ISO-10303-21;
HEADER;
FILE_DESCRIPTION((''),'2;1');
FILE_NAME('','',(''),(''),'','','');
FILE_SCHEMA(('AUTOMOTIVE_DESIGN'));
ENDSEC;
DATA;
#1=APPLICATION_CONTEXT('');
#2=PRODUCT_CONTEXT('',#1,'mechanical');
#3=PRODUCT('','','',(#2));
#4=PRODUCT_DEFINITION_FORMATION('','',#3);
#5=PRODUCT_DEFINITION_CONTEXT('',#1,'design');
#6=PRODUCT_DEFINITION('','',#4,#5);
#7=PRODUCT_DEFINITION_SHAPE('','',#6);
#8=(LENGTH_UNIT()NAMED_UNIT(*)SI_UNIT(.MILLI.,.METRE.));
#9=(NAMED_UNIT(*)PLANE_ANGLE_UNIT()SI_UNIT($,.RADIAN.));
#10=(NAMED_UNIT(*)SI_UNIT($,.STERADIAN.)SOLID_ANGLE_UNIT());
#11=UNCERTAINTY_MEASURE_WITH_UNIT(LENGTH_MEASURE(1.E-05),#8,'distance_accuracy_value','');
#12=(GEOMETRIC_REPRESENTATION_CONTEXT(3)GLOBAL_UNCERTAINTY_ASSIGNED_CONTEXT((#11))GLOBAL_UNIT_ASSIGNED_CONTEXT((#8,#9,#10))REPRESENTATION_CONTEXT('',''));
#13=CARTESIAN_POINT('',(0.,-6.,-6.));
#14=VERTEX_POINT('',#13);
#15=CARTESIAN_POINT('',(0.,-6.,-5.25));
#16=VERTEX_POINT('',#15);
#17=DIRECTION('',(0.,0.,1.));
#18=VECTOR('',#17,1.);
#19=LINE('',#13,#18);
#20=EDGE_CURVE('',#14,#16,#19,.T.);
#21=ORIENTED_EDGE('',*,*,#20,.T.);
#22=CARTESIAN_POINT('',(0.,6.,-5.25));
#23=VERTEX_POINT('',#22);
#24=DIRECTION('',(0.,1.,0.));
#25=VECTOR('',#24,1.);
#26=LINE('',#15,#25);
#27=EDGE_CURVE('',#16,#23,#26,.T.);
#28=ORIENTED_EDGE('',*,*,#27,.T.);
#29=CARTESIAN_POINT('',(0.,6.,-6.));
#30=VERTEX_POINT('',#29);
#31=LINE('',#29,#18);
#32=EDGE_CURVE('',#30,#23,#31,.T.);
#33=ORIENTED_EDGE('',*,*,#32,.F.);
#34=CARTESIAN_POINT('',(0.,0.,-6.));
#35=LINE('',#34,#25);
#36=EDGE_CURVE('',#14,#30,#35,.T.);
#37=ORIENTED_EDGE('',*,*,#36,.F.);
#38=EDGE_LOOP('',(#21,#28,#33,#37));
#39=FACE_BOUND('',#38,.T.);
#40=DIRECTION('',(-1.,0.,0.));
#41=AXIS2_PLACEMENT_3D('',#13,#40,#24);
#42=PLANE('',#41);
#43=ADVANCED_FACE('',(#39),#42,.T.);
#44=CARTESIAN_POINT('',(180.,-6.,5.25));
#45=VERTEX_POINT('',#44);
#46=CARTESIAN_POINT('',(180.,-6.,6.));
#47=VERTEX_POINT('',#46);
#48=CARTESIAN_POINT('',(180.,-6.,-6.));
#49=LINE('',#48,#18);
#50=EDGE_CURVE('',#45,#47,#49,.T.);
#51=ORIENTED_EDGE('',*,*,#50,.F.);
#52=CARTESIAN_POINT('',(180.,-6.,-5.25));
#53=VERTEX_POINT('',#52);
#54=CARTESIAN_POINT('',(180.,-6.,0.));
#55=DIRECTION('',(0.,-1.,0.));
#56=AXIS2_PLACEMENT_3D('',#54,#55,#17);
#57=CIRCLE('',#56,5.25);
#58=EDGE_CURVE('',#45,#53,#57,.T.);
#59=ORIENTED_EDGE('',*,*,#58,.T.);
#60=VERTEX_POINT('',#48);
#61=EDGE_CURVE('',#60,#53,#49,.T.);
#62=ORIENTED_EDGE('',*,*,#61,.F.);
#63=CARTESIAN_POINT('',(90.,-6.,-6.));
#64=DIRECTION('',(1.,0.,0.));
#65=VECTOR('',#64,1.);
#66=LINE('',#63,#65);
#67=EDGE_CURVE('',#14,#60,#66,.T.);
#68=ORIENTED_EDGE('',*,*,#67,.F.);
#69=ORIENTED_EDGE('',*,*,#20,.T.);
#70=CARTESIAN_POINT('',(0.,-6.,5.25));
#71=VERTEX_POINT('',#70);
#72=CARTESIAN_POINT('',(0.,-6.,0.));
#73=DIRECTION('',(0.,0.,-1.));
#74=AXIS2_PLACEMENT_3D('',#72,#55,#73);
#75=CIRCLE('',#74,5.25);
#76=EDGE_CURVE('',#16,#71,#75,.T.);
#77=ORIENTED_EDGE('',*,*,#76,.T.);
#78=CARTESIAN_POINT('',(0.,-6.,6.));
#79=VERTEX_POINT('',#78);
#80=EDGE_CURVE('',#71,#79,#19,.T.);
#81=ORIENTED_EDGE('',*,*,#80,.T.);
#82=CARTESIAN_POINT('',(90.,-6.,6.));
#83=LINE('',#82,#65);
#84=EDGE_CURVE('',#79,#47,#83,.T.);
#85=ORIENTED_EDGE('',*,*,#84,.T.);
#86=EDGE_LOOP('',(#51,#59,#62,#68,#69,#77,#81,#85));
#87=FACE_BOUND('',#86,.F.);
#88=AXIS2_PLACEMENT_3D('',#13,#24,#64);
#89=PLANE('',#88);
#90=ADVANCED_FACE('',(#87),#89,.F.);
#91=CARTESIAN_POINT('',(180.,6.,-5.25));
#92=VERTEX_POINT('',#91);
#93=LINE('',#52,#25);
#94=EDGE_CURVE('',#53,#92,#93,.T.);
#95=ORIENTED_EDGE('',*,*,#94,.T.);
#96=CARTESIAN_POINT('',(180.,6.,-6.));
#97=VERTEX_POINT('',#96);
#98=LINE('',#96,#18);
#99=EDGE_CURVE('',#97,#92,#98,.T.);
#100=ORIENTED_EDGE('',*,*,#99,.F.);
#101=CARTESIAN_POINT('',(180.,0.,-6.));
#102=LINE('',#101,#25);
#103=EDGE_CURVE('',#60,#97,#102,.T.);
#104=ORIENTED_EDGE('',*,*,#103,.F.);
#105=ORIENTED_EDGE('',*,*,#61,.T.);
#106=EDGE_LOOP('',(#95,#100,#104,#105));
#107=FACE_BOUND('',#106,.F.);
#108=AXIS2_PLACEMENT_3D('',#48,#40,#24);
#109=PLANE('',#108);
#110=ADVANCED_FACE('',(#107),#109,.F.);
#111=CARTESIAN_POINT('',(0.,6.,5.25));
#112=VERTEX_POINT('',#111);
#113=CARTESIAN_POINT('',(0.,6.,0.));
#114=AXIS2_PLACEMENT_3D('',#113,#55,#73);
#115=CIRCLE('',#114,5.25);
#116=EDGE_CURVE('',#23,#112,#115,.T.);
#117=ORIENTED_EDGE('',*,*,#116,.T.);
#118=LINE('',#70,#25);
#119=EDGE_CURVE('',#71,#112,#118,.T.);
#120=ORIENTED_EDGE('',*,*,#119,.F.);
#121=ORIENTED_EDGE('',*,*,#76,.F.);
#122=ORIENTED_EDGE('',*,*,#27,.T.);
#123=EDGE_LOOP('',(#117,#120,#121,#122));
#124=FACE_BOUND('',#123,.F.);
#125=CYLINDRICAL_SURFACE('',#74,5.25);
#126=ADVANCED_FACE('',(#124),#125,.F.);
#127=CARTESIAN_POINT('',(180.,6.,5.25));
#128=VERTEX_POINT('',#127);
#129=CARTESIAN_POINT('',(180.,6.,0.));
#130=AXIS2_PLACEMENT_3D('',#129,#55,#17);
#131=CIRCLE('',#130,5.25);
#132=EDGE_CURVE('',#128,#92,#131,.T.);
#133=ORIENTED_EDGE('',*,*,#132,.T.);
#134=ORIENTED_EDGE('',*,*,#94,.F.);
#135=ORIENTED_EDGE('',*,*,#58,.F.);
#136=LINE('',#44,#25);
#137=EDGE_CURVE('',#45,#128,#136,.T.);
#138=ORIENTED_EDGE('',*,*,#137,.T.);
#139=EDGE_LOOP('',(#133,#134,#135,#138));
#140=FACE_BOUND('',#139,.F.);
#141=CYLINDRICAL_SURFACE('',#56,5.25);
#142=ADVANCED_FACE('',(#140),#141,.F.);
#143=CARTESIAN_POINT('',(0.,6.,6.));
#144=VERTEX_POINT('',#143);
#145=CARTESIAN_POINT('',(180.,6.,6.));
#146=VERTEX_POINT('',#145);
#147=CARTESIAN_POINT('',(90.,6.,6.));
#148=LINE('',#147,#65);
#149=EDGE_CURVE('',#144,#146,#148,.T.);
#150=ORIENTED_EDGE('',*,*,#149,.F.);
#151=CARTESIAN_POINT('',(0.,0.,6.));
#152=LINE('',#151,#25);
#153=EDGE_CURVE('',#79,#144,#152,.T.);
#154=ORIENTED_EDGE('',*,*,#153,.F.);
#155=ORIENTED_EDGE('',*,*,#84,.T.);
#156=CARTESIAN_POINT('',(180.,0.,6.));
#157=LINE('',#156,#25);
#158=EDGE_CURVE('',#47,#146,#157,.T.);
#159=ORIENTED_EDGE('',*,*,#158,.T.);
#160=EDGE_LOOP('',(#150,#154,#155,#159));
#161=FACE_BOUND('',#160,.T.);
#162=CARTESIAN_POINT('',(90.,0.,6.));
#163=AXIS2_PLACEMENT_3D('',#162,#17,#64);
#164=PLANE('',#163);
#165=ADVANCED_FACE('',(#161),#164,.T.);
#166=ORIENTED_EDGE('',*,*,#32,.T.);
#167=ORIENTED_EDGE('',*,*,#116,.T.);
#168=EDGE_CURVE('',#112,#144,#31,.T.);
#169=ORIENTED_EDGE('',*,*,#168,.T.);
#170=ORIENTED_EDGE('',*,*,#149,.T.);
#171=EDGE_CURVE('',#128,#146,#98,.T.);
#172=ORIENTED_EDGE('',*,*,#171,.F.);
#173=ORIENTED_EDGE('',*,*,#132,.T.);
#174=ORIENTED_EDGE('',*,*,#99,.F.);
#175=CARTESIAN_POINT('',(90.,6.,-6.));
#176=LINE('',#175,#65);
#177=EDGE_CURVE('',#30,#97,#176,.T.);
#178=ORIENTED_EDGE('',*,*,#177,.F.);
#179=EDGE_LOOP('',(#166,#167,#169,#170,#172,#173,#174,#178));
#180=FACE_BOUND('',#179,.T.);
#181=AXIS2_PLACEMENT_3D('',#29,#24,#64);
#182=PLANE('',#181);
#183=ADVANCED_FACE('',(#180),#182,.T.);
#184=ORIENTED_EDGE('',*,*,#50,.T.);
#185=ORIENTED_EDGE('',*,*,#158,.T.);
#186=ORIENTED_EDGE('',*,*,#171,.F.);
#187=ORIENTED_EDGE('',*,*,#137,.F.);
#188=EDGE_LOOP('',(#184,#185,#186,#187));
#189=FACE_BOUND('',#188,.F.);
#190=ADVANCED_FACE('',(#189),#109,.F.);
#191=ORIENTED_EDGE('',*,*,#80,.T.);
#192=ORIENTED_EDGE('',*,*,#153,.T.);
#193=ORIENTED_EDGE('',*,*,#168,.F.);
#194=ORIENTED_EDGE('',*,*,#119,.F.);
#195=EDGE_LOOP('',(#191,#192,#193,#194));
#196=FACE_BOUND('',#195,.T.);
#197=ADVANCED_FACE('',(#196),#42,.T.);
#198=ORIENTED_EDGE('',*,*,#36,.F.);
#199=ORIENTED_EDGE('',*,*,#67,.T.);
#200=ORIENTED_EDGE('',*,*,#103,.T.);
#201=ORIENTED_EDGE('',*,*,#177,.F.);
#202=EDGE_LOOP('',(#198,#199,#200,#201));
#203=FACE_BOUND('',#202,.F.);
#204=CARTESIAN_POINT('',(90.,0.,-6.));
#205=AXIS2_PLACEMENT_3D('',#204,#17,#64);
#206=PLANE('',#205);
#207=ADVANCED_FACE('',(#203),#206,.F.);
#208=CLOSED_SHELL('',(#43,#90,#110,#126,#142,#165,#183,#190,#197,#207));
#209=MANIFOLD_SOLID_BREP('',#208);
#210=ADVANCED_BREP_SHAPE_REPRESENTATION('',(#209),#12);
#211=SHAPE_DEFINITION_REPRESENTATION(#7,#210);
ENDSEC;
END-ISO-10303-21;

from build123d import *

# Parameters (mm, degrees)
BOX_W        = 180
BOX_H        = 12
BOX_DEPTH    = 12
POCKET_DEPTH = 12


with BuildPart() as part:
    # Box → Box (new body)
    with BuildSketch(Plane(origin=(0, -6, -6), x_dir=(1, 0, 0), z_dir=(0, 0, 1))):
        with Locations((90, 6)):
            Rectangle(BOX_W, BOX_H)
    extrude(amount=BOX_DEPTH)

    # Sketch → Pocket (cut)
    with BuildSketch(Plane(origin=(0, -6, -6), x_dir=(1, 0, 0), z_dir=(0, -1, 0))):
        with BuildLine():
            ThreePointArc((0, 0.75), (5.25, 6), (0, 11.25))
            Line((0, 11.25), (0, 0.75))
        make_face()
        with BuildLine():
            ThreePointArc((180, 11.25), (174.75, 6), (180, 0.75))
            Line((180, 11.25), (180, 0.75))
        make_face()
    extrude(amount=-POCKET_DEPTH, mode=Mode.SUBTRACT)


solid = part.part
